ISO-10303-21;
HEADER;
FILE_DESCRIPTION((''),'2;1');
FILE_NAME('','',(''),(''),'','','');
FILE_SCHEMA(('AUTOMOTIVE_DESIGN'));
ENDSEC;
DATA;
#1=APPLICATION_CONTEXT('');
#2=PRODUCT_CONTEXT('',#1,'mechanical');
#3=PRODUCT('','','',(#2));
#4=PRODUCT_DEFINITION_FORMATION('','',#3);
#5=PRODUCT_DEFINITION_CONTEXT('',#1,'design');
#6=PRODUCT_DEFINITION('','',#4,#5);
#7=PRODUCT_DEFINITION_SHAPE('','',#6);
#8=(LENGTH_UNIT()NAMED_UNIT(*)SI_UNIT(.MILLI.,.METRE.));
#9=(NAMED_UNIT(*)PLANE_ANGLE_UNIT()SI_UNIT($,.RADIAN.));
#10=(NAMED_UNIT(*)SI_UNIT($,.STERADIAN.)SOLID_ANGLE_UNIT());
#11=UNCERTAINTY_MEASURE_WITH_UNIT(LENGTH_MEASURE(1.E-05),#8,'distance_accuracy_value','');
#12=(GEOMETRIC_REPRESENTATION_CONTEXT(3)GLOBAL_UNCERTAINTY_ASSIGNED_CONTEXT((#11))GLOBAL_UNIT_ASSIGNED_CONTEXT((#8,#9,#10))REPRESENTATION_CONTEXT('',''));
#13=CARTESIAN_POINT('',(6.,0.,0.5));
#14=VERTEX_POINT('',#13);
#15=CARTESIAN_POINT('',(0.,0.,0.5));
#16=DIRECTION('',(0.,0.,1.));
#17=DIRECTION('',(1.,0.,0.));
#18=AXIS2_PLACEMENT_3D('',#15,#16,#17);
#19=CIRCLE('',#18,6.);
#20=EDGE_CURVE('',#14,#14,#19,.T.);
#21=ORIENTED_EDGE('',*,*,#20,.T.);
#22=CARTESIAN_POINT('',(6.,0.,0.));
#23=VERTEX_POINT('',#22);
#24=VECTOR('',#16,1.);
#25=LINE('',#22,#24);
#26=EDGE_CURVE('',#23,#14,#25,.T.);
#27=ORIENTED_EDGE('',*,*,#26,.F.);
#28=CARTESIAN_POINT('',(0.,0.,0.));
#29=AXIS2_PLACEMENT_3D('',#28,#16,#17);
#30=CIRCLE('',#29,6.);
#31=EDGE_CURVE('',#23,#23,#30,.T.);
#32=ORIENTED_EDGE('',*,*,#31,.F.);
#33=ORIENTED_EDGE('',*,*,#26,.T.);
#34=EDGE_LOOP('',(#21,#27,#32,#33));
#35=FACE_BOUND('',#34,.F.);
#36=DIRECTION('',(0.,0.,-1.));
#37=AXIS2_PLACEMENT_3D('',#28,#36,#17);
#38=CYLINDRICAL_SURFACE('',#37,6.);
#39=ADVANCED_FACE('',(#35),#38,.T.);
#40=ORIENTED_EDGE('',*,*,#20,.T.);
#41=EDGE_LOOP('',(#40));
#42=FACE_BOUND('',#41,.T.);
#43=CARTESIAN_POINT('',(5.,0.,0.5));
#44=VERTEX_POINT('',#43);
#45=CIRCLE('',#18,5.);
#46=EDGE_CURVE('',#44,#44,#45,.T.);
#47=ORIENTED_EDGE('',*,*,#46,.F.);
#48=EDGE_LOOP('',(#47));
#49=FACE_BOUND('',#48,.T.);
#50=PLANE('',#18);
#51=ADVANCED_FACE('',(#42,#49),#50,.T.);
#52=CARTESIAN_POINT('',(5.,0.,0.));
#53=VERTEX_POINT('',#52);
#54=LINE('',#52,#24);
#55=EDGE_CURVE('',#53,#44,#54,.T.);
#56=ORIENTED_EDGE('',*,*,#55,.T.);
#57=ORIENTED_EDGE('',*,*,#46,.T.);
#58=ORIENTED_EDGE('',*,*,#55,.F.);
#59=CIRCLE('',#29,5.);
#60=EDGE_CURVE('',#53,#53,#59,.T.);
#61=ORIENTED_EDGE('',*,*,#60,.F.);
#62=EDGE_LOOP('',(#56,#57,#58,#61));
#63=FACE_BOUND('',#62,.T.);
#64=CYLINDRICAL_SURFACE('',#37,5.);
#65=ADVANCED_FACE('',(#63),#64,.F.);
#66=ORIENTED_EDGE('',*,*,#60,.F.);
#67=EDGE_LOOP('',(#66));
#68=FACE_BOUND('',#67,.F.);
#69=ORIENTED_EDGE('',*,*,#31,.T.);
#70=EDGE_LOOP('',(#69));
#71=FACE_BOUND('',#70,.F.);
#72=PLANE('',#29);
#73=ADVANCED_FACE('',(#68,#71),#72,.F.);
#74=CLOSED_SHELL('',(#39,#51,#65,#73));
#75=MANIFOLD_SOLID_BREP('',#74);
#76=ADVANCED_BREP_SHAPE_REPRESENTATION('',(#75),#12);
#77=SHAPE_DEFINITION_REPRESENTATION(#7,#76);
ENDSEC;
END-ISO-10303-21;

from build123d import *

# Parameters (mm, degrees)
SKETCH_R   = 6
SKETCH_R_2 = 5
PAD_DEPTH  = 0.5


with BuildPart() as part:
    # Sketch → Pad (new body)
    with BuildSketch(Plane.XY):
        Circle(SKETCH_R)
        Circle(SKETCH_R_2, mode=Mode.SUBTRACT)
    extrude(amount=PAD_DEPTH)


solid = part.part
